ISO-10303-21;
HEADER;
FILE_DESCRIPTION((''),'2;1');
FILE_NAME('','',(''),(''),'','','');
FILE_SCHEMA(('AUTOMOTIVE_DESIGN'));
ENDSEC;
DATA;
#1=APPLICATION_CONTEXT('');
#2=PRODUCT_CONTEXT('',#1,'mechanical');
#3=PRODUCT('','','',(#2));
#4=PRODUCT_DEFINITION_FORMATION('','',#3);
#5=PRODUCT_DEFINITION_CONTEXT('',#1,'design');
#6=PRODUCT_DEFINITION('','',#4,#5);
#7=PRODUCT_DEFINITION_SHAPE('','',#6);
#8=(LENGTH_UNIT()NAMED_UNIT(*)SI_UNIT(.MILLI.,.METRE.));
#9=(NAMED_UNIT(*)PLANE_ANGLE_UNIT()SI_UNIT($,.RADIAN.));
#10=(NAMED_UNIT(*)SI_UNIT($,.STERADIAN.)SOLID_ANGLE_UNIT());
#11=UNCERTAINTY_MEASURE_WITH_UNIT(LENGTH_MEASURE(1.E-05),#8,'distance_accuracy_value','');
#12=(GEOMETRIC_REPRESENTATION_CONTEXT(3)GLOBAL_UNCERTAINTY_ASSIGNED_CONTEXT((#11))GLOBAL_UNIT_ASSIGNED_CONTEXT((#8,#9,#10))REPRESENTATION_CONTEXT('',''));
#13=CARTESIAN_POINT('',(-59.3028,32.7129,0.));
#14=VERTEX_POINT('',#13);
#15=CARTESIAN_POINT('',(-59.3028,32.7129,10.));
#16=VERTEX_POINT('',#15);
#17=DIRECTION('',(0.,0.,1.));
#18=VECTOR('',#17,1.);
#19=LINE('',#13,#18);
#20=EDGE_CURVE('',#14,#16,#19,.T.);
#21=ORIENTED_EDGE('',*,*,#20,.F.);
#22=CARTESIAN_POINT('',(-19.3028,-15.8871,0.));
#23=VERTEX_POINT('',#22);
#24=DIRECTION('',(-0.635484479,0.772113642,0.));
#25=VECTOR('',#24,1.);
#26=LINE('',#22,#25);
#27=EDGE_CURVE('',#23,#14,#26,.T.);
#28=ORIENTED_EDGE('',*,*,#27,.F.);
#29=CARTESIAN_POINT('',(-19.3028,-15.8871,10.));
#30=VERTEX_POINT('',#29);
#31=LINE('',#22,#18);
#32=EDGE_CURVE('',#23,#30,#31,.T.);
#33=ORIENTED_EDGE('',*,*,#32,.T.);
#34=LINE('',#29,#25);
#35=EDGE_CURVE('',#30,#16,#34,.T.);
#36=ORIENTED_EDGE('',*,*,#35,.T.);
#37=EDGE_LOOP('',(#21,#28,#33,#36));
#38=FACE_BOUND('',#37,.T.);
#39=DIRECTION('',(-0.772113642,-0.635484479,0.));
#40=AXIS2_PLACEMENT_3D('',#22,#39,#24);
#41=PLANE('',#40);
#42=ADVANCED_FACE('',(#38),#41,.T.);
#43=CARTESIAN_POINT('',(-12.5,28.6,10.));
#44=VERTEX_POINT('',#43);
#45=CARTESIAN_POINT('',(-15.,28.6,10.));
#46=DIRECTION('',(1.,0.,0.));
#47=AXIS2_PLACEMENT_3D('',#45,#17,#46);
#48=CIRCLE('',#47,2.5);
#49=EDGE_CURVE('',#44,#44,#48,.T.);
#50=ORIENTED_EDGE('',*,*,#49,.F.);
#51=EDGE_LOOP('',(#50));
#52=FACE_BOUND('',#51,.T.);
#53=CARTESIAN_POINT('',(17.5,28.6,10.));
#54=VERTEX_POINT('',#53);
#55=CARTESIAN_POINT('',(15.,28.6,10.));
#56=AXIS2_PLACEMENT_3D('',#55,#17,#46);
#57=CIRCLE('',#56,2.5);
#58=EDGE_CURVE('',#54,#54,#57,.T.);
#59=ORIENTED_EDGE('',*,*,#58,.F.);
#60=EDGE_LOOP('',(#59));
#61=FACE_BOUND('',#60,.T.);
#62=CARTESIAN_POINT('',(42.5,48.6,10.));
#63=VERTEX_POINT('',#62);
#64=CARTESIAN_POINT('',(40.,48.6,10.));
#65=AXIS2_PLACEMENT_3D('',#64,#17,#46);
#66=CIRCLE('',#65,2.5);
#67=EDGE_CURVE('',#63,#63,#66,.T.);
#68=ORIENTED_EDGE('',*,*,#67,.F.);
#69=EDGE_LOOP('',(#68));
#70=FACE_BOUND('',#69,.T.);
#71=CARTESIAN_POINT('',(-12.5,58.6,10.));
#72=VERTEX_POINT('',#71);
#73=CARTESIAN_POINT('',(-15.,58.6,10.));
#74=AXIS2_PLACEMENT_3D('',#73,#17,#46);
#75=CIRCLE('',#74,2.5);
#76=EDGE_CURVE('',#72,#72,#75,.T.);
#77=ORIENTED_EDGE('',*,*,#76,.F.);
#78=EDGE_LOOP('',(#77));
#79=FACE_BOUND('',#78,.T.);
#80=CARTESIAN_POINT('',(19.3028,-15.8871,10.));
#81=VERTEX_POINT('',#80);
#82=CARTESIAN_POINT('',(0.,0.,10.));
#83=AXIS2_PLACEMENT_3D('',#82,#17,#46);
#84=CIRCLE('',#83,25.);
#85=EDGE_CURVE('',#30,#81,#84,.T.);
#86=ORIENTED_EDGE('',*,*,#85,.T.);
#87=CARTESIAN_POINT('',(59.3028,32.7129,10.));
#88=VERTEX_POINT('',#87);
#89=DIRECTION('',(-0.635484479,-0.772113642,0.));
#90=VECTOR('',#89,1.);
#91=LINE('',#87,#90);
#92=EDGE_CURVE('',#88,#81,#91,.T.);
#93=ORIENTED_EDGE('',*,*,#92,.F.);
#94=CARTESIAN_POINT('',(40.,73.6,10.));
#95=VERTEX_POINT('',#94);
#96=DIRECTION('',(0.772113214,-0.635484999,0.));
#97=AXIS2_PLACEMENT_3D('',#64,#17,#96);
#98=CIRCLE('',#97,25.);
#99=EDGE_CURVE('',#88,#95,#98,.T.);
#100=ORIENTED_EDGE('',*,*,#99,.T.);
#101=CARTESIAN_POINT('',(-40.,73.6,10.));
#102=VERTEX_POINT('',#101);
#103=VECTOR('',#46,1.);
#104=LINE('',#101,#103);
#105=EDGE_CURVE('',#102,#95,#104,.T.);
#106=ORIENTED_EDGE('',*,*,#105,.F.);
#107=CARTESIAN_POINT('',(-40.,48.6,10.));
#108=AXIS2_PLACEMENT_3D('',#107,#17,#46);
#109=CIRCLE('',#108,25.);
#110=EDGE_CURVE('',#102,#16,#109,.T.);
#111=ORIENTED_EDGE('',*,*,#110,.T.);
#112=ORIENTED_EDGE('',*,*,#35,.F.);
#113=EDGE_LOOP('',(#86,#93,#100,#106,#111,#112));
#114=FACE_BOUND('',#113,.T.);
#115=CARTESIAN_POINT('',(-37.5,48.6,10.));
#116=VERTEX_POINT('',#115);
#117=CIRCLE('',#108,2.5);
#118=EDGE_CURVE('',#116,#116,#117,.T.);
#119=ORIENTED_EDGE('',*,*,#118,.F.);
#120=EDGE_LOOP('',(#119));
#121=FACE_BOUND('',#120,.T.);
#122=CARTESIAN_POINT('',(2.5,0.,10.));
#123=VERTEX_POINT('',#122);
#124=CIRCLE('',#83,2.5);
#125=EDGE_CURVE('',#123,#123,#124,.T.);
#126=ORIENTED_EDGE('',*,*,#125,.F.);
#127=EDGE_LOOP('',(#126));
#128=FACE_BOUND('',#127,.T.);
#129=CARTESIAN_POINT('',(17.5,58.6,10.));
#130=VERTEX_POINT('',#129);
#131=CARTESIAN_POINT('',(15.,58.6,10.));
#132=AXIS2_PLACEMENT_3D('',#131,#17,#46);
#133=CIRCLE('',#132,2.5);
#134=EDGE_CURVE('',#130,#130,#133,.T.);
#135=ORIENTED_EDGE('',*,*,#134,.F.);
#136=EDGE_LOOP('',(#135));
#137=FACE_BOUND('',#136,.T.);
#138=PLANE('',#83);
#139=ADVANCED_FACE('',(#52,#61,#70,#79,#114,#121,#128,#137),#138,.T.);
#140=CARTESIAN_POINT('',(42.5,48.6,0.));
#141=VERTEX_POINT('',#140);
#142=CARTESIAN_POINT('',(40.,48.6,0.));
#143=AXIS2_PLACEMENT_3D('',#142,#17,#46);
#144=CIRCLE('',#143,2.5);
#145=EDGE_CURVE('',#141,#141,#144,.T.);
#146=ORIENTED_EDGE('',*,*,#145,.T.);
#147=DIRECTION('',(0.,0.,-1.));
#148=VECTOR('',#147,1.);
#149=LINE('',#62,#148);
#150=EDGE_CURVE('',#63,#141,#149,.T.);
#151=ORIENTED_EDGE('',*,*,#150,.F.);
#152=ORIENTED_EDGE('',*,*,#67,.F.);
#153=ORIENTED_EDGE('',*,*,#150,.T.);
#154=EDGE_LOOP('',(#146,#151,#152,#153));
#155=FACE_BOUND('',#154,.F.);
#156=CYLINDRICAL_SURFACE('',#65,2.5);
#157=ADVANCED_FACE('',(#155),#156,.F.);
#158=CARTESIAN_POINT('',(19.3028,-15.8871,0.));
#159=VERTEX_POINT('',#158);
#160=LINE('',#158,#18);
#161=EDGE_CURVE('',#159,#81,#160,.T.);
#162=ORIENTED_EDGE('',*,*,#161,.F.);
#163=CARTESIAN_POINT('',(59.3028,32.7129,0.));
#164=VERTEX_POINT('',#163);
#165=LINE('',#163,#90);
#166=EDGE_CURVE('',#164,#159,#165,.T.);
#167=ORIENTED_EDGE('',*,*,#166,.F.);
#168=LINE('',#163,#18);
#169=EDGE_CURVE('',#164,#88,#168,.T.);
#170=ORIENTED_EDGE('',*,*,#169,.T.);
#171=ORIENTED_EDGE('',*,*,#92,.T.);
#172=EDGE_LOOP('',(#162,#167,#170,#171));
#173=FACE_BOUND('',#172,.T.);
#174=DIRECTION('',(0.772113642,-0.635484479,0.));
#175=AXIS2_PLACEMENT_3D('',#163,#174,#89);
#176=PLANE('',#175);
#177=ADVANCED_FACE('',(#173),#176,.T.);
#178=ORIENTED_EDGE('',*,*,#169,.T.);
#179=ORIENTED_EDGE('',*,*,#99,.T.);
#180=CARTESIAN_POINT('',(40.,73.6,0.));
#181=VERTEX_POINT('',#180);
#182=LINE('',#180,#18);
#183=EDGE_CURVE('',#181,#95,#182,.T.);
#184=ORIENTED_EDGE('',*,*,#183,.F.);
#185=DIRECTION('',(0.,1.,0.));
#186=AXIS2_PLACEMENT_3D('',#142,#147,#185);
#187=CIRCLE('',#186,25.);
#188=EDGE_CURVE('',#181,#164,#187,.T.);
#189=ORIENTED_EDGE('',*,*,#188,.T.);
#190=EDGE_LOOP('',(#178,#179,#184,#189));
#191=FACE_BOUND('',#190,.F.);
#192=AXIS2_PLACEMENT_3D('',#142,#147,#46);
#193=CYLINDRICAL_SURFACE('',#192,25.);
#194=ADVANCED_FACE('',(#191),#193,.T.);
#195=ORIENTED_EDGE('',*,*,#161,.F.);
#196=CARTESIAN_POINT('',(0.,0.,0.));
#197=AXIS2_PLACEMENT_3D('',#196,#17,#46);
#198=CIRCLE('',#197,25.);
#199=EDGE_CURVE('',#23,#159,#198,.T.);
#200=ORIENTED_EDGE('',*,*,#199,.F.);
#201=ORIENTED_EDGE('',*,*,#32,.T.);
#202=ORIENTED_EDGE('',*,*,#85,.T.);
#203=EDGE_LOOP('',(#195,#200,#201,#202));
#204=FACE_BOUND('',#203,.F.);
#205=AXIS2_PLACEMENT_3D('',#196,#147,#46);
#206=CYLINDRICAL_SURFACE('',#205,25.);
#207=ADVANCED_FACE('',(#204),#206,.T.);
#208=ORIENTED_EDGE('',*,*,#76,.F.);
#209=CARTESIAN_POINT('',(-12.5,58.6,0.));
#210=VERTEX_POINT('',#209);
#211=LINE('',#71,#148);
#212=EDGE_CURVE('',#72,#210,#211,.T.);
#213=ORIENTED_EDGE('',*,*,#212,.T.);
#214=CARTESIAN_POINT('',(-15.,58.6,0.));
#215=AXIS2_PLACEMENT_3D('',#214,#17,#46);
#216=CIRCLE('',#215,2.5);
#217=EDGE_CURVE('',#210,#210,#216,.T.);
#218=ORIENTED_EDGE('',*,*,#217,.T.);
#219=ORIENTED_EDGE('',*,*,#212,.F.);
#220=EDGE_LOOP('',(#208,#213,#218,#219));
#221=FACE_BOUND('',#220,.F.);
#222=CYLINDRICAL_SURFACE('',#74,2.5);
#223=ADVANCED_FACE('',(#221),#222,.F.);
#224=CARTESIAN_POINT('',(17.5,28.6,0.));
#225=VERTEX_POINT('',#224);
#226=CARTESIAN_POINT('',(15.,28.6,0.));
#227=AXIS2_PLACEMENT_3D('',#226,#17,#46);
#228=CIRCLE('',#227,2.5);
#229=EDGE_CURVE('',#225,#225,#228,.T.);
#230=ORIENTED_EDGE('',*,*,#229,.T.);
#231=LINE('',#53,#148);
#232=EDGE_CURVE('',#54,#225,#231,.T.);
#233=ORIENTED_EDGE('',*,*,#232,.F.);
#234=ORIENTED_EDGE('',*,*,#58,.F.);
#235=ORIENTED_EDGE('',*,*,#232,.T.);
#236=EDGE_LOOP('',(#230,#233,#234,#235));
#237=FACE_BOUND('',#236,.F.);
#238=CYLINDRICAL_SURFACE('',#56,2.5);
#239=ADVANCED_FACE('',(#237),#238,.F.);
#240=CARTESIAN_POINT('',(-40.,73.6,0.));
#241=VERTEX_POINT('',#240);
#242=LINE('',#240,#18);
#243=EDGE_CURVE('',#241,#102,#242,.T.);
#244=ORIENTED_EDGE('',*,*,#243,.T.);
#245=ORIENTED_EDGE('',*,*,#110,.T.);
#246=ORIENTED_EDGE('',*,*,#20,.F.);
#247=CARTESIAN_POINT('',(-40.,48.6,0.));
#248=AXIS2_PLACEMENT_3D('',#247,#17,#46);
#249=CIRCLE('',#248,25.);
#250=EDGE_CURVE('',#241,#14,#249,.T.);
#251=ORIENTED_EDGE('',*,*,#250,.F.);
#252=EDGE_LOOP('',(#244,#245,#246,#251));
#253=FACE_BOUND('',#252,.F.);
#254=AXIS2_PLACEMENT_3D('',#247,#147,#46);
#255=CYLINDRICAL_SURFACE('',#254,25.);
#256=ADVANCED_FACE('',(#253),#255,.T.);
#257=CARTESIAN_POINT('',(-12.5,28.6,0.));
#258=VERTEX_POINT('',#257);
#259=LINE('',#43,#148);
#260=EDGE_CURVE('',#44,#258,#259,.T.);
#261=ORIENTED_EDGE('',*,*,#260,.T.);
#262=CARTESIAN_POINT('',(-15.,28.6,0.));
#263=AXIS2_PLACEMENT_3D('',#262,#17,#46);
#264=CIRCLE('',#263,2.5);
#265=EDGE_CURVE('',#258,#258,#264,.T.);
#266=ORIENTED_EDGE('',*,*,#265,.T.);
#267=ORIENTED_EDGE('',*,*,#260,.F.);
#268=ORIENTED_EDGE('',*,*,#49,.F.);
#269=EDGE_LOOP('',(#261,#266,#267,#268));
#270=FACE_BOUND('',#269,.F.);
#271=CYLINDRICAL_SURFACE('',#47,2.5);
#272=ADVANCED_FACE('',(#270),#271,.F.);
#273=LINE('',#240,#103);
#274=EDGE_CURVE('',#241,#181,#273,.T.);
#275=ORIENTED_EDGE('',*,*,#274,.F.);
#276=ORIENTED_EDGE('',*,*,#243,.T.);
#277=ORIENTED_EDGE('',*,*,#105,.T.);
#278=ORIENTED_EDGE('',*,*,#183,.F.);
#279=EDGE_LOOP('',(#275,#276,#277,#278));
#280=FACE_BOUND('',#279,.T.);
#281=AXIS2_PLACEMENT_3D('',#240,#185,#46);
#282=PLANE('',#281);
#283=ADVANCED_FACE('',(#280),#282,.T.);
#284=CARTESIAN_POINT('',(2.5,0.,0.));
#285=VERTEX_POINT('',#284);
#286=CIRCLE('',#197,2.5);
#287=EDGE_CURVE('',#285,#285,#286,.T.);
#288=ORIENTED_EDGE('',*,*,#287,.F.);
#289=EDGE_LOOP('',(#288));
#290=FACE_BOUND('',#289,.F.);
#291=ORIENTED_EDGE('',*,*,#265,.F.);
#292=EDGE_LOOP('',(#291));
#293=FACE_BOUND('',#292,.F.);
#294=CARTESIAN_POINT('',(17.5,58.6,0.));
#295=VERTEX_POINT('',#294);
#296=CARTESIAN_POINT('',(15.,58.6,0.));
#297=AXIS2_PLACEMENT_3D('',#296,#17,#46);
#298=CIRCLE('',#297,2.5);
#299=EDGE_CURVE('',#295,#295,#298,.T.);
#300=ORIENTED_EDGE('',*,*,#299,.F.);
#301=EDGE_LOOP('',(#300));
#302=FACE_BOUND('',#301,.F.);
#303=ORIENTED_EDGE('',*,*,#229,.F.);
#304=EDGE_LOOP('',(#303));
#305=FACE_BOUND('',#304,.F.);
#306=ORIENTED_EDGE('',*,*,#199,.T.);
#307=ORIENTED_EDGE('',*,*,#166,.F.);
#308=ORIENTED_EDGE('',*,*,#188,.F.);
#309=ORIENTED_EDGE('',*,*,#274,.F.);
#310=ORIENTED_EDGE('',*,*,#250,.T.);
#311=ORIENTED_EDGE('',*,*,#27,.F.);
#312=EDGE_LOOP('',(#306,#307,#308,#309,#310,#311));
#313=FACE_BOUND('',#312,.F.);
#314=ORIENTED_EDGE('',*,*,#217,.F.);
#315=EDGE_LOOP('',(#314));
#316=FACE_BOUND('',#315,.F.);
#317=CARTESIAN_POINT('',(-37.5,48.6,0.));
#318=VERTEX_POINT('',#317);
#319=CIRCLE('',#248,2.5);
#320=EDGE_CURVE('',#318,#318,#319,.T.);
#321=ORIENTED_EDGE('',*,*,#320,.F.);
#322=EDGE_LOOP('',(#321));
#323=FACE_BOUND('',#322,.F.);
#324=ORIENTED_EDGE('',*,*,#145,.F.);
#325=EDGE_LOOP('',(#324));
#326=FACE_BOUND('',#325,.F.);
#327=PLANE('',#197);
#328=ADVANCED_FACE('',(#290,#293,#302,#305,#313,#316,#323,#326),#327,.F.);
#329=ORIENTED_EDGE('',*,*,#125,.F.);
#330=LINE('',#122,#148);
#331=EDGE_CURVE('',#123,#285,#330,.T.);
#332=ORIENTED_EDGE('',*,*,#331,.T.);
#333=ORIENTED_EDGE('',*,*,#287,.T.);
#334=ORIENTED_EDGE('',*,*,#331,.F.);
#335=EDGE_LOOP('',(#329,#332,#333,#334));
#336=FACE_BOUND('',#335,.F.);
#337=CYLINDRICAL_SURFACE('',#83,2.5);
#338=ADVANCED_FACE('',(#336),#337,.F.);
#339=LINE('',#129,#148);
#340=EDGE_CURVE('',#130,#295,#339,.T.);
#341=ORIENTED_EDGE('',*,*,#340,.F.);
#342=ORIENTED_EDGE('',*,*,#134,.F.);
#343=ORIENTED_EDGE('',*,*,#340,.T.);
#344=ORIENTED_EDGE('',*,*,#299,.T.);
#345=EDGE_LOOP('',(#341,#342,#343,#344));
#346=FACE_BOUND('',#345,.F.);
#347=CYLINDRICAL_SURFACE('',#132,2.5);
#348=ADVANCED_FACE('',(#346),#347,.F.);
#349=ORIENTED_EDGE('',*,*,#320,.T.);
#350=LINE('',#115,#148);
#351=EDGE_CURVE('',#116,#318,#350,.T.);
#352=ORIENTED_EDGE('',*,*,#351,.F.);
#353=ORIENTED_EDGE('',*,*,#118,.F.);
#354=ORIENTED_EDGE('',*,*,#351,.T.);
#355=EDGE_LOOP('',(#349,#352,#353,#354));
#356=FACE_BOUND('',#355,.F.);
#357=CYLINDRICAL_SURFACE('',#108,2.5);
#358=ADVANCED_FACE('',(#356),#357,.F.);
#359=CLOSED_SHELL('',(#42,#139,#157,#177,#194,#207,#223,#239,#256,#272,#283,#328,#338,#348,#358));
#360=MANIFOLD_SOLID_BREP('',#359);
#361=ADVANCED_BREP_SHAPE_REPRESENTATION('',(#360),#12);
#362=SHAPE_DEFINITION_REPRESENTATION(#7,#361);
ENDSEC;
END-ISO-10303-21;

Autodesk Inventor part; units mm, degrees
ref_plane "YZ Plane" through (0, 0, 0) normal (1, 0, 0) x (0, 1, 0)
ref_plane "XZ Plane" through (0, 0, 0) normal (0, 1, 0) x (-1, 0, 0)
ref_plane "XY Plane" through (0, 0, 0) normal (0, 0, 1) x (1, 0, 0)
sketch "Sketch1" plane through (0, 0, 0) normal (0, 0, 1) x (1, 0, 0)
  circle A0 centre (0, 0) radius 25
  circle A1 centre (40, 48.6) radius 25
  circle A2 centre (-40, 48.6) radius 25
  line L0 (-40, 73.6) -> (40, 73.6)
  line L1 (59.3028, 32.7129) -> (19.3028, -15.8871)
  line L2 (-19.3028, -15.8871) -> (-59.3028, 32.7129)
  dimension "d0" = 50
  dimension "d1" = 50
  dimension "d2" = 50
  dimension "d3" = 40
  dimension "d4" = 40
  dimension "d5" = 48.6
  dimension "d6" = 48.6
extrude "Extrusion1" add sketch "Sketch1" along normal blind 10
sketch "Sketch2" plane through (0, 0, 10) normal (0, 0, 1) x (1, 0, 0)
  arc A0 (-40, 73.6) -> (-59.3028, 32.7129) centre (-40, 48.6) ccw projected
  line L0 (-59.3028, 32.7129) -> (-19.3028, -15.8871) projected
  arc A1 (-19.3028, -15.8871) -> (19.3028, -15.8871) centre (0, 0) ccw projected
  line L1 (19.3028, -15.8871) -> (59.3028, 32.7129) projected
  arc A2 (59.3028, 32.7129) -> (40, 73.6) centre (40, 48.6) ccw projected
  line L2 (40, 73.6) -> (-40, 73.6) projected
  circle A3 centre (40, 48.6) radius 2.5
  circle A4 centre (0, 0) radius 2.5
  circle A5 centre (-40, 48.6) radius 2.5
  dimension "d10" = 5
  dimension "d11" = 5
  dimension "d12" = 5
extrude "Extrusion2" cut sketch "Sketch2" against normal up to next contours A3 | A4 | A5
sketch "Sketch3" plane through (0, 0, 10) normal (0, 0, 1) x (1, 0, 0)
  circle A0 centre (-15, 58.6) radius 2.5
  circle A1 centre (15, 58.6) radius 2.5
  circle A2 centre (-15, 28.6) radius 2.5
  circle A3 centre (15, 28.6) radius 2.5
  circle A4 centre (0, 0) radius 2.5 projected
  circle A5 centre (40, 48.6) radius 2.5 projected
  circle A6 centre (-40, 48.6) radius 2.5 projected
  arc A7 (-40, 73.6) -> (-59.3028, 32.7129) centre (-40, 48.6) ccw projected
  line L0 (-59.3028, 32.7129) -> (-19.3028, -15.8871) projected
  arc A8 (-19.3028, -15.8871) -> (19.3028, -15.8871) centre (0, 0) ccw projected
  line L1 (19.3028, -15.8871) -> (59.3028, 32.7129) projected
  arc A9 (59.3028, 32.7129) -> (40, 73.6) centre (40, 48.6) ccw projected
  line L2 (40, 73.6) -> (-40, 73.6) projected
  dimension "d15" = 5
  dimension "d16" = 5
  dimension "d17" = 5
  dimension "d18" = 5
  dimension "d19" = 30
  dimension "d20" = 30
  dimension "d21" = 30
  dimension "d22" = 30
  dimension "d23" = 15
  dimension "d24" = 15
  dimension "d25" = 15
  dimension "d26" = 15
extrude "Extrusion3" cut sketch "Sketch3" against normal up to next contours A0 | A1 | A2 | A3
properties part number "Arm_Base-SquareBar-Rev3-2" material "Bronze, Cast"
